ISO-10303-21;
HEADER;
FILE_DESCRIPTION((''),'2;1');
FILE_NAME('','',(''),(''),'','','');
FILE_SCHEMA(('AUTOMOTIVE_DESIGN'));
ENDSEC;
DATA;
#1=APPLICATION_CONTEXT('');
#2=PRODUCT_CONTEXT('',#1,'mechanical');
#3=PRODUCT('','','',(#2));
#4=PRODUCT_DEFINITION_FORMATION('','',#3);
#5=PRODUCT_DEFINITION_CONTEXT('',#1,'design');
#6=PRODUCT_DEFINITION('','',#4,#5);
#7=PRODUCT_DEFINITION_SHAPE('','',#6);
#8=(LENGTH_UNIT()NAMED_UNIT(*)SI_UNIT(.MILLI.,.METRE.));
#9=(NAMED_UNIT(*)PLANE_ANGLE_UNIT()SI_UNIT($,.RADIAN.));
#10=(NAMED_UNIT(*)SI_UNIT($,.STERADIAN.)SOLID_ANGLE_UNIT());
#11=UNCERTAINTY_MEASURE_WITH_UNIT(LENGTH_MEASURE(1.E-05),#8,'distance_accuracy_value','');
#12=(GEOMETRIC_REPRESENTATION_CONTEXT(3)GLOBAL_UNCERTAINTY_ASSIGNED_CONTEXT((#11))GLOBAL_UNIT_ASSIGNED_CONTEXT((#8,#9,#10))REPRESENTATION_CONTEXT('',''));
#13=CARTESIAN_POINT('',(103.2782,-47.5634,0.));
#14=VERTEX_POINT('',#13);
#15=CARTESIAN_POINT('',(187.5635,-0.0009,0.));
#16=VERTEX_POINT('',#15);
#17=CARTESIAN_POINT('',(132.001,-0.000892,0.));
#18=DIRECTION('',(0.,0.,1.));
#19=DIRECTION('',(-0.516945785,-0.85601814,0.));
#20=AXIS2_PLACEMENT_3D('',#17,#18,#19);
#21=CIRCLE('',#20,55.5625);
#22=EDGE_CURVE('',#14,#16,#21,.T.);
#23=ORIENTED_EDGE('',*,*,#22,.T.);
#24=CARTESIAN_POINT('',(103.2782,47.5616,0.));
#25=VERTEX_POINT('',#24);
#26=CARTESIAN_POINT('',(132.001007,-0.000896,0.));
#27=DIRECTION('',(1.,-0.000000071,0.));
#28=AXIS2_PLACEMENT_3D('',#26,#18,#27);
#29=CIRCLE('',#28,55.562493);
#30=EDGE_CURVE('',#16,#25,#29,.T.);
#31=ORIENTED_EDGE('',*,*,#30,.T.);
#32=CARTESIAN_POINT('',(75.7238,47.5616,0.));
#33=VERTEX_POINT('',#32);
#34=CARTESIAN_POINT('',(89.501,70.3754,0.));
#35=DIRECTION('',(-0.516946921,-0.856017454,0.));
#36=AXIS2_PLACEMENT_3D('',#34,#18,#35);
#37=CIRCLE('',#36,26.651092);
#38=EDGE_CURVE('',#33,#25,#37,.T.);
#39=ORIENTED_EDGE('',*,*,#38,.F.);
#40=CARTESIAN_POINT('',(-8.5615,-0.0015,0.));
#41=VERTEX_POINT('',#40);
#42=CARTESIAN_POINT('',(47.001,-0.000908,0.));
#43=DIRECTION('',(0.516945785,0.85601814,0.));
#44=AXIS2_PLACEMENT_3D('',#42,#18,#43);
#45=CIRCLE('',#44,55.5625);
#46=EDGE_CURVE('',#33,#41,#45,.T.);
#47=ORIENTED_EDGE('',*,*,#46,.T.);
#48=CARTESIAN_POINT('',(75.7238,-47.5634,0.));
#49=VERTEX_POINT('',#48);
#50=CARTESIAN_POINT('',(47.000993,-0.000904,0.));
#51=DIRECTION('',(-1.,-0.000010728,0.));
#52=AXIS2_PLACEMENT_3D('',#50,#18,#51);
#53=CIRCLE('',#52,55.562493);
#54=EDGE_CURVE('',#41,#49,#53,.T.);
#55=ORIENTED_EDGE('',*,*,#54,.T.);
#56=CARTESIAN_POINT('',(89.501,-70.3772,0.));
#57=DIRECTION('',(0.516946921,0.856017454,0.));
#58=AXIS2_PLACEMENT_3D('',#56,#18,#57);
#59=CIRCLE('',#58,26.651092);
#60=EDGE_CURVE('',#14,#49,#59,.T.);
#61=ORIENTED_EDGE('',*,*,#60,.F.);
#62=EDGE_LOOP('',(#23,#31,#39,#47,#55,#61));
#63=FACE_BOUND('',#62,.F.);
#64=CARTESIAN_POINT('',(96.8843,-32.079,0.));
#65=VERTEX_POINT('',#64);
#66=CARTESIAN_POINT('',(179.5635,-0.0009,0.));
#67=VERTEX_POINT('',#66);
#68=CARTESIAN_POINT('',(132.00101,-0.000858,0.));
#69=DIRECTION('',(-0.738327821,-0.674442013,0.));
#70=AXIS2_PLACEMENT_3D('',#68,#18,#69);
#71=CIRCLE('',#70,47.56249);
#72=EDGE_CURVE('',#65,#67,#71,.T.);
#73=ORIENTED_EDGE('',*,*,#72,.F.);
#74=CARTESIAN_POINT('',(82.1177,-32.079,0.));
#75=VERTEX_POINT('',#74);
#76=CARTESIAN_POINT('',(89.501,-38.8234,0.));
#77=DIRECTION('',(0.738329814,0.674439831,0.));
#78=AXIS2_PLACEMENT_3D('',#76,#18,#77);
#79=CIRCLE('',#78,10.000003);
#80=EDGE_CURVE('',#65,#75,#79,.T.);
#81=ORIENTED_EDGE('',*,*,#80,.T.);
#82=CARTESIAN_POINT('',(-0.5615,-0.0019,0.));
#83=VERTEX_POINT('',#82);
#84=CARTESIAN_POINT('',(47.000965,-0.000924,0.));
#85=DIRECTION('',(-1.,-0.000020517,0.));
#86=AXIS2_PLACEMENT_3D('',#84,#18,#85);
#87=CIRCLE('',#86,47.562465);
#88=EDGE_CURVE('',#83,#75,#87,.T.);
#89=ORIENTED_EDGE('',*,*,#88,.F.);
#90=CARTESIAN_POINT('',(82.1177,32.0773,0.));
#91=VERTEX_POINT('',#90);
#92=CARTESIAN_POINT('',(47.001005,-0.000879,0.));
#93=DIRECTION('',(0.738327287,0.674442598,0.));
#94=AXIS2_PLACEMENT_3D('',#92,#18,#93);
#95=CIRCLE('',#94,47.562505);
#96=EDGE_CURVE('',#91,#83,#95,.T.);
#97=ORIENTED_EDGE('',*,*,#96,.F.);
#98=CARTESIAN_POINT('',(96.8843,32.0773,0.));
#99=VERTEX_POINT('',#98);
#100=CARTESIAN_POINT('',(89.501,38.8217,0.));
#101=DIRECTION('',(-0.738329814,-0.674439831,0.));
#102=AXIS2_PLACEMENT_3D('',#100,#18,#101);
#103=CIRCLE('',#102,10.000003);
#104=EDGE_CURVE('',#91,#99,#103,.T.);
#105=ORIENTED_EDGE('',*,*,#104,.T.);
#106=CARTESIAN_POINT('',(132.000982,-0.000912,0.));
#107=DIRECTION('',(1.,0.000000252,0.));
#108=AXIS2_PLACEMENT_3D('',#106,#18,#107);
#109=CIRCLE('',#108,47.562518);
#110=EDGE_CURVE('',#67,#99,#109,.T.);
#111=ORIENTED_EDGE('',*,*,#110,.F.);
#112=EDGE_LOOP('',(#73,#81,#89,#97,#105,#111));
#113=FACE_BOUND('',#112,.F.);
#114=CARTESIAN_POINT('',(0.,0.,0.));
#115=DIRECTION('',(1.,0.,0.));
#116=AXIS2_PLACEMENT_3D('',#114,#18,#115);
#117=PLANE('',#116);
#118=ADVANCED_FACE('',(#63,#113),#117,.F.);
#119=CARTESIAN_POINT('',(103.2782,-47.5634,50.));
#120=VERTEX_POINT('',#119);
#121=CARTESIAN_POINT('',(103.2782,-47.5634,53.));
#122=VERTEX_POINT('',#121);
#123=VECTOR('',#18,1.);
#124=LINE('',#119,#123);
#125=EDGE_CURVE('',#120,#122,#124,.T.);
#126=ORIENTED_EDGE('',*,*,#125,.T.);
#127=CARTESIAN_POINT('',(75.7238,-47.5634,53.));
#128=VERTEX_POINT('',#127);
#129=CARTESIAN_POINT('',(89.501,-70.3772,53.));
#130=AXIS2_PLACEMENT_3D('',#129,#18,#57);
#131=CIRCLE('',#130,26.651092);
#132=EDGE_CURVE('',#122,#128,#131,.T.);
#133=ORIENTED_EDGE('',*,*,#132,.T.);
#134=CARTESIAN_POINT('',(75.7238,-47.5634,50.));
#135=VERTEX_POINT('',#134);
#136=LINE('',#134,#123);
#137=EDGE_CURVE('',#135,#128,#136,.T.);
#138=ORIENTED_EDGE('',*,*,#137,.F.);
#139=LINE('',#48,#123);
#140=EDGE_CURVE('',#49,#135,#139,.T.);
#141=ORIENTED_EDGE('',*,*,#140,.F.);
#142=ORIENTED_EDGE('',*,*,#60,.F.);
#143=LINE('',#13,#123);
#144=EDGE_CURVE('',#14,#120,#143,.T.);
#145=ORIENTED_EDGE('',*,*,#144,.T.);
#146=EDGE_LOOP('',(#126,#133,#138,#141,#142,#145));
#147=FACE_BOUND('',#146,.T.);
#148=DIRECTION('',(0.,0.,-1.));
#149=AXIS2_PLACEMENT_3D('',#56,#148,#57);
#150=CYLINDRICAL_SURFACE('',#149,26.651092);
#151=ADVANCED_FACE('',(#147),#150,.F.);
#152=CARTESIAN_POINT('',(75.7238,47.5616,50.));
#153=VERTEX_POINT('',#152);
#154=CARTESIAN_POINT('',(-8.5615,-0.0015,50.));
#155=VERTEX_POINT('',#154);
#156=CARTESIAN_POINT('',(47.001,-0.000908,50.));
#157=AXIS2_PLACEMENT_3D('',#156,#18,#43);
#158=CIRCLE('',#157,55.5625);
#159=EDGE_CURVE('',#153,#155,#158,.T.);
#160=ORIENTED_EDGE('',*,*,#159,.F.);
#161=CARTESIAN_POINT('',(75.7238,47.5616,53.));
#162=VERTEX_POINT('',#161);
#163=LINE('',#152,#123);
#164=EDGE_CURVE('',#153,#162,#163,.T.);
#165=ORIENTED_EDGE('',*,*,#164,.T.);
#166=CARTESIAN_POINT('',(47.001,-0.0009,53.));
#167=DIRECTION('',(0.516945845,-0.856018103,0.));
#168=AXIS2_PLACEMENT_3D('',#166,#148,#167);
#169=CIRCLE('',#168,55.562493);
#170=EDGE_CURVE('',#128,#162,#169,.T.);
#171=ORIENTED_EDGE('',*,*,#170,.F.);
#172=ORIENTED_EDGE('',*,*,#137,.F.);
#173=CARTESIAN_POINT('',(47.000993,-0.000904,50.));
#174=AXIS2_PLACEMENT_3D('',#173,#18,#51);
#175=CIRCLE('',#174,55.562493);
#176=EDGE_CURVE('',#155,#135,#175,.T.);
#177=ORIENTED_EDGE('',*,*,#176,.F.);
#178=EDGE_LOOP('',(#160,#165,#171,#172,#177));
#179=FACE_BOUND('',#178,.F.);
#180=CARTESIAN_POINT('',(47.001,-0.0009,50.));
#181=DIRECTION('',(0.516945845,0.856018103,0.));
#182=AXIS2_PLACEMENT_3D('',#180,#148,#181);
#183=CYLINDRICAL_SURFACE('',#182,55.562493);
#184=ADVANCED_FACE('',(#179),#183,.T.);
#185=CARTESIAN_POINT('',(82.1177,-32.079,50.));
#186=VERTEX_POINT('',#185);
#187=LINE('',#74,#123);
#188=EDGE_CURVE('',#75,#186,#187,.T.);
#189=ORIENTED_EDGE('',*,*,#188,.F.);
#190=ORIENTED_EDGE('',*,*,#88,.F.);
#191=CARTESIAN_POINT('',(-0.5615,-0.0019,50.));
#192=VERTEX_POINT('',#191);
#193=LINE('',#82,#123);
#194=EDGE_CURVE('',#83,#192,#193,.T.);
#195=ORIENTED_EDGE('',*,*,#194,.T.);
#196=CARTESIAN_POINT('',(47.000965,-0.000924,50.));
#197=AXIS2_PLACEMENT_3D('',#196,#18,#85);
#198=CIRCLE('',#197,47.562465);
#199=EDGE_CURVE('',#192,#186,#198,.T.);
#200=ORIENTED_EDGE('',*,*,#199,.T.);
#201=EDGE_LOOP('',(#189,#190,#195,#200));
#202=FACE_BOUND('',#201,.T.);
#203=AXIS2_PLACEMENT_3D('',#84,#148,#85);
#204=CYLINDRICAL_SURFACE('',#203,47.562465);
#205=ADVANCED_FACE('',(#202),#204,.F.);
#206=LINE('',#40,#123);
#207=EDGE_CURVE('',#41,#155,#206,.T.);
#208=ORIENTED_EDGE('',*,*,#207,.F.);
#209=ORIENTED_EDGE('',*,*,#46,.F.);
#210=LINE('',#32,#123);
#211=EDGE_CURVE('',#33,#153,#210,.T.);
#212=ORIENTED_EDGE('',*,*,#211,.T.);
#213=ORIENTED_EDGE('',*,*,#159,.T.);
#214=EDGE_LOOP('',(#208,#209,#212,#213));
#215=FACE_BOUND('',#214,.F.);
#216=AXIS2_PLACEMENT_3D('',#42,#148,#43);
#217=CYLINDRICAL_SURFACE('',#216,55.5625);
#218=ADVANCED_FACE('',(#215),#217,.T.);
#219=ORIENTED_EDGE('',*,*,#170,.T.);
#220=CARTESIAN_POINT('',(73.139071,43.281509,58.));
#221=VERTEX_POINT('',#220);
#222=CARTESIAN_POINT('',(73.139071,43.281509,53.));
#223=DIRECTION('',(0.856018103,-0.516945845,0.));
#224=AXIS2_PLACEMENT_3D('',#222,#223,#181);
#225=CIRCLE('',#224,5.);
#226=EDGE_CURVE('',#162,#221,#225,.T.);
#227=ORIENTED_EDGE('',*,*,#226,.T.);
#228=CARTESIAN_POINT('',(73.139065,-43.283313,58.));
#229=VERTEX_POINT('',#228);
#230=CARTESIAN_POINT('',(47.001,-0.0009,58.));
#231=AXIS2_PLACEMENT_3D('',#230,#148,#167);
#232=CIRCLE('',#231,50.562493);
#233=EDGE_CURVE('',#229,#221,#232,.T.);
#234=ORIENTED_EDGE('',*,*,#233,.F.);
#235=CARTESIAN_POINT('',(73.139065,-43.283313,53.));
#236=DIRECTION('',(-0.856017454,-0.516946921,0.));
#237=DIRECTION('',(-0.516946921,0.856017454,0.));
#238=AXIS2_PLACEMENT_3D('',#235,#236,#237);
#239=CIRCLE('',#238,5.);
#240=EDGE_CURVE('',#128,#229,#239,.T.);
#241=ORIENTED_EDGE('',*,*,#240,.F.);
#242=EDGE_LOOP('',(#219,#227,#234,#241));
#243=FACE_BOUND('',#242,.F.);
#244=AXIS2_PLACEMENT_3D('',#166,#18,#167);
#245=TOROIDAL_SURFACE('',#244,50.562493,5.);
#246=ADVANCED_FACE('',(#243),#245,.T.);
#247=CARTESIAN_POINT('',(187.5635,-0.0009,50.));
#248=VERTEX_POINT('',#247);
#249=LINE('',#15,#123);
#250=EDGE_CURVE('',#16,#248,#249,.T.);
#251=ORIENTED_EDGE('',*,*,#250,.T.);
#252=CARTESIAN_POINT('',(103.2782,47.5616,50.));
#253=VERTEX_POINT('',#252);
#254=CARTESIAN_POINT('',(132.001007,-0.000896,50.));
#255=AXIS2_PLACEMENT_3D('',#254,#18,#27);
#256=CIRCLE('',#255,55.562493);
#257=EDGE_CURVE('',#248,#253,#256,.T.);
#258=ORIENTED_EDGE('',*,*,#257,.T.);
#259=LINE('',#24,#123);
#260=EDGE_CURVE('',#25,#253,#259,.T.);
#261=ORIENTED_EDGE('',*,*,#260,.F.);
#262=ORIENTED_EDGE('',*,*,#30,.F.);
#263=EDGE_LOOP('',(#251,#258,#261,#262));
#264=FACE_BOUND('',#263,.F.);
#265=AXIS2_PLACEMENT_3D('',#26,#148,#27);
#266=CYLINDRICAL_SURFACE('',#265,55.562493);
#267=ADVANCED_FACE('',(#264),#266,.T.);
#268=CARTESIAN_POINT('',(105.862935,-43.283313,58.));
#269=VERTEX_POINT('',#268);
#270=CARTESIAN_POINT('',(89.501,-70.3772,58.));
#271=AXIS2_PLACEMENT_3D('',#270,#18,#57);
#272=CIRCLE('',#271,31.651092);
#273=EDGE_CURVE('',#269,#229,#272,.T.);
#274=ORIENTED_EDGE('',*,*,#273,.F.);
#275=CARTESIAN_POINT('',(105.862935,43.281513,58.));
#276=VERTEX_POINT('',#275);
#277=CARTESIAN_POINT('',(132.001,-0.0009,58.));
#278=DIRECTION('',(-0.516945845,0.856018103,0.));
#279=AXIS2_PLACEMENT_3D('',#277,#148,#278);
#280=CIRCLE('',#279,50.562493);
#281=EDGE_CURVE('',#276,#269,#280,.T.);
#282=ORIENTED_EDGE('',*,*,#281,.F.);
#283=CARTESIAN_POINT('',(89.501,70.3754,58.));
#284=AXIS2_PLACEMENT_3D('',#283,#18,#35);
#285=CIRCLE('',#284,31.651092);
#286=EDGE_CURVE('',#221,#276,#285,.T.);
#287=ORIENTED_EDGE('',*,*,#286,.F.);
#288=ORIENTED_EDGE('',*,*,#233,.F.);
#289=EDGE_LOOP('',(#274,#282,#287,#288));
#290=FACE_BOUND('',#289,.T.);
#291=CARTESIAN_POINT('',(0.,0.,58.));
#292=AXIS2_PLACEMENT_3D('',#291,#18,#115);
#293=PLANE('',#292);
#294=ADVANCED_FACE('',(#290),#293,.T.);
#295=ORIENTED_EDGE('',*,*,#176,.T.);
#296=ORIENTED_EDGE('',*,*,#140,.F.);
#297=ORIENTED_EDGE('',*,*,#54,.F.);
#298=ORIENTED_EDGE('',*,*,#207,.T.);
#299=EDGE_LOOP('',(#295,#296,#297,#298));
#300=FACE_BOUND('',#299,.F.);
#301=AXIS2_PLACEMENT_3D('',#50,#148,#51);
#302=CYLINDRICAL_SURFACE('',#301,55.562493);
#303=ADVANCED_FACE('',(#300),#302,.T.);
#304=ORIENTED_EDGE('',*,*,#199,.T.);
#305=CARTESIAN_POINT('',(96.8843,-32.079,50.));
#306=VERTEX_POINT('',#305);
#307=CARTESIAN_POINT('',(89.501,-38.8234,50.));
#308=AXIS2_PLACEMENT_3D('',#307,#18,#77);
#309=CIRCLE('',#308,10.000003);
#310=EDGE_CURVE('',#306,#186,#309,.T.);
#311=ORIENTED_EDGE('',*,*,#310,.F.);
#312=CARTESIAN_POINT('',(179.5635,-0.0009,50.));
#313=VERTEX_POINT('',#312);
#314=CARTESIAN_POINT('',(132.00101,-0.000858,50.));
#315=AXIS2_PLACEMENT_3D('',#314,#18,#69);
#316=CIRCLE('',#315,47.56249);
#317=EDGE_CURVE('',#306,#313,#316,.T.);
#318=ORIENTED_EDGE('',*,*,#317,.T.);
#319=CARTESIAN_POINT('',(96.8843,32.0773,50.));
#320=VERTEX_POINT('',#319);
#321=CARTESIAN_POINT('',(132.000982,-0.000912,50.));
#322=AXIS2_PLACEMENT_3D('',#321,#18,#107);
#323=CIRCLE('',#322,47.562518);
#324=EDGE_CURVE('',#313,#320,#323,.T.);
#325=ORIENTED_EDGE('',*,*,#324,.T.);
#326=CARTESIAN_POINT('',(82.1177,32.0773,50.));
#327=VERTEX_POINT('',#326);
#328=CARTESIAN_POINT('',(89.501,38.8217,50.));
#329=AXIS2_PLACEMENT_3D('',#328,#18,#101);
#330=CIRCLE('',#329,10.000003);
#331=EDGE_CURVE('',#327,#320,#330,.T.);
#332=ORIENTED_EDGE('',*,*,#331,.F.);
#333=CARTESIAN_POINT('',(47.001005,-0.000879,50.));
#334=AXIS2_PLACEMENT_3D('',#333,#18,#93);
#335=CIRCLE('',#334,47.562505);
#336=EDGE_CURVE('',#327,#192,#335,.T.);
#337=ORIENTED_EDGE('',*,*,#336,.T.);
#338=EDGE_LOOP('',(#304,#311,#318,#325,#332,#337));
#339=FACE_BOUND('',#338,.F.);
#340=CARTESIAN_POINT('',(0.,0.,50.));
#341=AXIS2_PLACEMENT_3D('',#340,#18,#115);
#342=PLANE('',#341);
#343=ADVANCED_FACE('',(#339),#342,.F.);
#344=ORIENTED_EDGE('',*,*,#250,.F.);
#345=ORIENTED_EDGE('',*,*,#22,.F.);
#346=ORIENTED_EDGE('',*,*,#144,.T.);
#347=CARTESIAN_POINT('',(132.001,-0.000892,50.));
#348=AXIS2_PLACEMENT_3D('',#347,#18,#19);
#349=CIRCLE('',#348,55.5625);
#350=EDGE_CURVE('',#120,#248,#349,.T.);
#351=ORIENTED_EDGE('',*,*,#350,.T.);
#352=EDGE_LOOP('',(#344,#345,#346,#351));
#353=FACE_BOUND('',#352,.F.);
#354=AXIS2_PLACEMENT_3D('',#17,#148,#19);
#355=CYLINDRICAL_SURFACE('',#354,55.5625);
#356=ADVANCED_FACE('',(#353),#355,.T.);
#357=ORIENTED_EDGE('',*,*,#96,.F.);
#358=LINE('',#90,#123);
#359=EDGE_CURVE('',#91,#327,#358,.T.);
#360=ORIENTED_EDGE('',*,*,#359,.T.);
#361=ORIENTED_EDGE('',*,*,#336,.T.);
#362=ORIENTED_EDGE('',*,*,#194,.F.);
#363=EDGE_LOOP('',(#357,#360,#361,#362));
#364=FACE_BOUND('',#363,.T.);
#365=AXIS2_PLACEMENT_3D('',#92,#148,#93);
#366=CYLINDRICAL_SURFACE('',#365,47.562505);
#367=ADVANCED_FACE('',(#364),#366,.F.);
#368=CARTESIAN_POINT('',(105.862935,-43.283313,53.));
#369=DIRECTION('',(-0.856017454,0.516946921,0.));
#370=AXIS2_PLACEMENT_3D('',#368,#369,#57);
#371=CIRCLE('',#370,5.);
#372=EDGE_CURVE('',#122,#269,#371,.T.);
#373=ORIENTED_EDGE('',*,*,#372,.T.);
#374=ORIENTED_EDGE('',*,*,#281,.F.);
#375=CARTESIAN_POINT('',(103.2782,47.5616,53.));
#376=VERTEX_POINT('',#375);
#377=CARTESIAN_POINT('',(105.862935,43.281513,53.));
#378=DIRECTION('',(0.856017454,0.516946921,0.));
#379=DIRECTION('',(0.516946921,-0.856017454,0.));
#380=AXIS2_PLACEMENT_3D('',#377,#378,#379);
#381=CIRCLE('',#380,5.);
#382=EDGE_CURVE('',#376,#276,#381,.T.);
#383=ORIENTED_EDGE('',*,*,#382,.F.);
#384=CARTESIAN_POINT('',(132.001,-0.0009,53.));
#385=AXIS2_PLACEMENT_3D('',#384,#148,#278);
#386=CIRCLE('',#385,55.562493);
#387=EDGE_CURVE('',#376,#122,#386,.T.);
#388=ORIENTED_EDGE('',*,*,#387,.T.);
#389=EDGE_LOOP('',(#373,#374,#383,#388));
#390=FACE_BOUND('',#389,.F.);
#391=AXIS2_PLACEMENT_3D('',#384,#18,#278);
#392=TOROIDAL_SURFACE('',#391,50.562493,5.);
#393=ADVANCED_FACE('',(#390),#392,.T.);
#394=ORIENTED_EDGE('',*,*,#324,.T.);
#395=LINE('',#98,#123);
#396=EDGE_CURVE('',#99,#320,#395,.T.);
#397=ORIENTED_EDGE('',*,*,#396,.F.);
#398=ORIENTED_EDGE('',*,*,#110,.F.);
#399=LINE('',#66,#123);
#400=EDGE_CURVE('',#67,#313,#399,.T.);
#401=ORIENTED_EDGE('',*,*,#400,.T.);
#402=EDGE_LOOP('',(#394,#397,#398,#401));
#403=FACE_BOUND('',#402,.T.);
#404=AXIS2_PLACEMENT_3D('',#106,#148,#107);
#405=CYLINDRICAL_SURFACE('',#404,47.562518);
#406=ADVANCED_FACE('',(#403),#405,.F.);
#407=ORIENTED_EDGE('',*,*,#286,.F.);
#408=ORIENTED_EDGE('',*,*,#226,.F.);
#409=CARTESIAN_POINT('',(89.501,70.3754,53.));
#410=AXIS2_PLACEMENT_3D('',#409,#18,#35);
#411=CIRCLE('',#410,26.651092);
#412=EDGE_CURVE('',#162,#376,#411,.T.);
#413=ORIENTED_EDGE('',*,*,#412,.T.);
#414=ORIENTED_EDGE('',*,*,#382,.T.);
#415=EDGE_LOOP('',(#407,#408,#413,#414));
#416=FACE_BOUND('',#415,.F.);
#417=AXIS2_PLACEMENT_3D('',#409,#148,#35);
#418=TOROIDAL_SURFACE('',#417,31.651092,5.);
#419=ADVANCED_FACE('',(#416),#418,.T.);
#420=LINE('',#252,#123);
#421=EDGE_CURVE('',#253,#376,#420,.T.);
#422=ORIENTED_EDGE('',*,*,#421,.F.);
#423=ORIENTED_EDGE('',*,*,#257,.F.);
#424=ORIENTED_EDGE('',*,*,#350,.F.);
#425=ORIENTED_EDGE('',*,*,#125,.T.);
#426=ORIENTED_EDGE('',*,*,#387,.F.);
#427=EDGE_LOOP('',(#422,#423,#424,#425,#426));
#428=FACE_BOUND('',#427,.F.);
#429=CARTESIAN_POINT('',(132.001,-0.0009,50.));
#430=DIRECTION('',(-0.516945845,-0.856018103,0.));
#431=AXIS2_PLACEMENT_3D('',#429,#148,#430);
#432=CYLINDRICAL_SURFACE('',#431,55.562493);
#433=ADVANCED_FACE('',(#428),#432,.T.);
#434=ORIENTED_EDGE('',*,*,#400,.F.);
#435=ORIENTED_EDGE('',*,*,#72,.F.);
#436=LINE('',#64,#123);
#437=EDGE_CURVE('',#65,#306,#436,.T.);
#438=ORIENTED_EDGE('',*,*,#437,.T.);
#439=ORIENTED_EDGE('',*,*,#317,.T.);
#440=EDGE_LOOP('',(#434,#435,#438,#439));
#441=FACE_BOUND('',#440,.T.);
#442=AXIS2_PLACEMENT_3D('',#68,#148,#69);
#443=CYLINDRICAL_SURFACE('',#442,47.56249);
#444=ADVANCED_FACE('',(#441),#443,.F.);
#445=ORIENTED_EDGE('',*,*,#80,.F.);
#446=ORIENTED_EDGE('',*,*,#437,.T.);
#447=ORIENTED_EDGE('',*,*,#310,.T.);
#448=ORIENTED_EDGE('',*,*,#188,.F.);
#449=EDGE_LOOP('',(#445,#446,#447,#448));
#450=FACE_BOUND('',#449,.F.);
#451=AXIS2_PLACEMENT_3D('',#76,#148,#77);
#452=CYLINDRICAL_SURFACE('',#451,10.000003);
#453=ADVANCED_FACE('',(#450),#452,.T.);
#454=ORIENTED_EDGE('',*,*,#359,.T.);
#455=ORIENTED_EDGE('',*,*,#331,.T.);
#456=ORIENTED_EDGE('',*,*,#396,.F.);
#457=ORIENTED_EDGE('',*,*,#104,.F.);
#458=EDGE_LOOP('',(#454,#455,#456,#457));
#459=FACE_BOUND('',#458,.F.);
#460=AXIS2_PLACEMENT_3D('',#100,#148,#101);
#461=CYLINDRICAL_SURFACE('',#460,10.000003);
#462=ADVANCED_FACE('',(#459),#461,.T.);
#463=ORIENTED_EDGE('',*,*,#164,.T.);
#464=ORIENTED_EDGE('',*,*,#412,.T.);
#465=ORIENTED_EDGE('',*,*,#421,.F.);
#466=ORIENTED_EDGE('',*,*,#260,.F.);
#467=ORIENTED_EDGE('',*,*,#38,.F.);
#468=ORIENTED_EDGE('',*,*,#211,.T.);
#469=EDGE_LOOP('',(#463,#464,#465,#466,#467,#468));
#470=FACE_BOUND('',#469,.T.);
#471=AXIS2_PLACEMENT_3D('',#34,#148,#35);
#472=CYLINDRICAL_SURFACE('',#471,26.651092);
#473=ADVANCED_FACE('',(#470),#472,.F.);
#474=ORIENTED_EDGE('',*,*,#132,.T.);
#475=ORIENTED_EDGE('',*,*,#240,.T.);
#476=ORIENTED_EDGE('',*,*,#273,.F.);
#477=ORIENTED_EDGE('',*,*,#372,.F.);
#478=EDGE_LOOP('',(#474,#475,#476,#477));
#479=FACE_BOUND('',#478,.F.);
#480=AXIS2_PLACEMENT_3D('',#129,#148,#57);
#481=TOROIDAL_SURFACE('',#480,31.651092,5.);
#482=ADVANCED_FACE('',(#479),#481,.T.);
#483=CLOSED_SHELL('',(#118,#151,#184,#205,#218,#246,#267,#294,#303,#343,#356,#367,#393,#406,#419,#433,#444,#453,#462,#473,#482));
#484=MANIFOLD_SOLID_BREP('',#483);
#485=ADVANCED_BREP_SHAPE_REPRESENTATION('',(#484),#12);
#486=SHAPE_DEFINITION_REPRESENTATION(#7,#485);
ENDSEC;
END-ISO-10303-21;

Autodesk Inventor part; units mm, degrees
ref_plane "YZ Plane" through (0, 0, 0) normal (1, 0, 0) x (0, 1, 0)
ref_plane "XZ Plane" through (0, 0, 0) normal (0, 1, 0) x (-1, 0, 0)
ref_plane "XY Plane" through (0, 0, 0) normal (0, 0, 1) x (1, 0, 0)
sketch "Sketch1" plane through (0, 0, 0) normal (0, 0, 1) x (1, 0, 0)
  line L0 (-11.999, -0.0009) -> (209.001, -0.0009) construction
  circle A0 centre (47.001, -0.0009) radius 42.5 construction
  circle A1 centre (132.001, -0.0009) radius 42.5 construction
  circle A2 centre (47.001, -0.0009) radius 47.5625 construction
  circle A3 centre (132.001, -0.0009) radius 47.5625 construction
  arc A4 (82.1177, 32.0773) -> (-0.5615, -0.0019) centre (47.001, -0.0009) ccw
  arc A5 (179.5635, -0.0009) -> (96.8843, 32.0773) centre (132.001, -0.0009) ccw
  arc A6 (-0.5615, -0.0019) -> (82.1177, -32.079) centre (47.001, -0.0009) ccw
  arc A7 (96.8843, -32.079) -> (179.5635, -0.0009) centre (132.001, -0.0009) ccw
  arc A8 (75.7238, 47.5616) -> (-8.5615, -0.0015) centre (47.001, -0.0009) ccw
  arc A9 (187.5635, -0.0009) -> (103.2782, 47.5616) centre (132.001, -0.0009) ccw
  line L1 (47.001, 47.5616) -> (132.001, 47.5616) construction
  arc A10 (75.7238, 47.5616) -> (103.2782, 47.5616) centre (89.501, 70.3754) ccw
  arc A11 (-8.5615, -0.0015) -> (75.7238, -47.5634) centre (47.001, -0.0009) ccw
  arc A12 (103.2782, -47.5634) -> (187.5635, -0.0009) centre (132.001, -0.0009) ccw
  arc A13 (103.2782, -47.5634) -> (75.7238, -47.5634) centre (89.501, -70.3772) ccw
  arc A14 (82.1177, 32.0773) -> (96.8843, 32.0773) centre (89.501, 38.8217) ccw
  line L2 (82.1177, 32.0773) -> (96.8843, 32.0773) construction
  arc A15 (96.8843, -32.079) -> (82.1177, -32.079) centre (89.501, -38.8234) ccw
  point P0 (89.501, 21.3519)
  point P1 (46.9513, 55.5616)
  point P2 (132.0501, 55.5616)
  dimension "d5" = 221
  dimension "d6" = 85
  dimension "d7" = 85
  dimension "d8" = 85
  dimension "d9" = 95.125
  dimension "d10" = 95.125
  dimension "d12" = 8
  dimension "d20" = 10
extrude "Extrusion1" add sketch "Sketch1" along normal blind 50
sketch "Sketch2" plane through (0, 0, 50) normal (0, 0, 1) x (1, 0, 0)
  arc A0 (75.7238, 47.5616) -> (75.7238, -47.5634) centre (47.001, -0.0009) ccw projected
  arc A1 (75.7238, 47.5616) -> (103.2782, 47.5616) centre (89.501, 70.3754) ccw projected
  arc A2 (103.2782, -47.5634) -> (103.2782, 47.5616) centre (132.001, -0.0009) ccw projected
  arc A3 (103.2782, -47.5634) -> (75.7238, -47.5634) centre (89.501, -70.3772) ccw projected
  point P0 (0, 0)
extrude "Extrusion2" add sketch "Sketch2" along normal blind 8
fillet "Fillet1" radius 5 4 edges at (89.501, -43.7261, 58) (187.5635, -0.0009, 58) (89.501, 43.7243, 58) (-8.5615, -0.0009, 58)
sketch "Sketch3" plane through (0, 0, 0) normal (0, 0, -1) x (-1, 0, 0)
  line L0 (8.5615, -0.0009) -> (-187.5635, -0.0009) construction
  arc A0 (-103.2782, 47.5616) -> (-103.2782, -47.5634) centre (-132.001, -0.0009) ccw construction
  arc A1 (-75.7238, -47.5634) -> (-75.7238, 47.5616) centre (-47.001, -0.0009) ccw construction
  point P0 (0, 0)
  dimension "d27" = 196.125
equation "\"d7\" = d6"
equation "\"d8\" = d6"
equation "\"d10\" = d9"
properties part number "Gehaeuse_V2"
